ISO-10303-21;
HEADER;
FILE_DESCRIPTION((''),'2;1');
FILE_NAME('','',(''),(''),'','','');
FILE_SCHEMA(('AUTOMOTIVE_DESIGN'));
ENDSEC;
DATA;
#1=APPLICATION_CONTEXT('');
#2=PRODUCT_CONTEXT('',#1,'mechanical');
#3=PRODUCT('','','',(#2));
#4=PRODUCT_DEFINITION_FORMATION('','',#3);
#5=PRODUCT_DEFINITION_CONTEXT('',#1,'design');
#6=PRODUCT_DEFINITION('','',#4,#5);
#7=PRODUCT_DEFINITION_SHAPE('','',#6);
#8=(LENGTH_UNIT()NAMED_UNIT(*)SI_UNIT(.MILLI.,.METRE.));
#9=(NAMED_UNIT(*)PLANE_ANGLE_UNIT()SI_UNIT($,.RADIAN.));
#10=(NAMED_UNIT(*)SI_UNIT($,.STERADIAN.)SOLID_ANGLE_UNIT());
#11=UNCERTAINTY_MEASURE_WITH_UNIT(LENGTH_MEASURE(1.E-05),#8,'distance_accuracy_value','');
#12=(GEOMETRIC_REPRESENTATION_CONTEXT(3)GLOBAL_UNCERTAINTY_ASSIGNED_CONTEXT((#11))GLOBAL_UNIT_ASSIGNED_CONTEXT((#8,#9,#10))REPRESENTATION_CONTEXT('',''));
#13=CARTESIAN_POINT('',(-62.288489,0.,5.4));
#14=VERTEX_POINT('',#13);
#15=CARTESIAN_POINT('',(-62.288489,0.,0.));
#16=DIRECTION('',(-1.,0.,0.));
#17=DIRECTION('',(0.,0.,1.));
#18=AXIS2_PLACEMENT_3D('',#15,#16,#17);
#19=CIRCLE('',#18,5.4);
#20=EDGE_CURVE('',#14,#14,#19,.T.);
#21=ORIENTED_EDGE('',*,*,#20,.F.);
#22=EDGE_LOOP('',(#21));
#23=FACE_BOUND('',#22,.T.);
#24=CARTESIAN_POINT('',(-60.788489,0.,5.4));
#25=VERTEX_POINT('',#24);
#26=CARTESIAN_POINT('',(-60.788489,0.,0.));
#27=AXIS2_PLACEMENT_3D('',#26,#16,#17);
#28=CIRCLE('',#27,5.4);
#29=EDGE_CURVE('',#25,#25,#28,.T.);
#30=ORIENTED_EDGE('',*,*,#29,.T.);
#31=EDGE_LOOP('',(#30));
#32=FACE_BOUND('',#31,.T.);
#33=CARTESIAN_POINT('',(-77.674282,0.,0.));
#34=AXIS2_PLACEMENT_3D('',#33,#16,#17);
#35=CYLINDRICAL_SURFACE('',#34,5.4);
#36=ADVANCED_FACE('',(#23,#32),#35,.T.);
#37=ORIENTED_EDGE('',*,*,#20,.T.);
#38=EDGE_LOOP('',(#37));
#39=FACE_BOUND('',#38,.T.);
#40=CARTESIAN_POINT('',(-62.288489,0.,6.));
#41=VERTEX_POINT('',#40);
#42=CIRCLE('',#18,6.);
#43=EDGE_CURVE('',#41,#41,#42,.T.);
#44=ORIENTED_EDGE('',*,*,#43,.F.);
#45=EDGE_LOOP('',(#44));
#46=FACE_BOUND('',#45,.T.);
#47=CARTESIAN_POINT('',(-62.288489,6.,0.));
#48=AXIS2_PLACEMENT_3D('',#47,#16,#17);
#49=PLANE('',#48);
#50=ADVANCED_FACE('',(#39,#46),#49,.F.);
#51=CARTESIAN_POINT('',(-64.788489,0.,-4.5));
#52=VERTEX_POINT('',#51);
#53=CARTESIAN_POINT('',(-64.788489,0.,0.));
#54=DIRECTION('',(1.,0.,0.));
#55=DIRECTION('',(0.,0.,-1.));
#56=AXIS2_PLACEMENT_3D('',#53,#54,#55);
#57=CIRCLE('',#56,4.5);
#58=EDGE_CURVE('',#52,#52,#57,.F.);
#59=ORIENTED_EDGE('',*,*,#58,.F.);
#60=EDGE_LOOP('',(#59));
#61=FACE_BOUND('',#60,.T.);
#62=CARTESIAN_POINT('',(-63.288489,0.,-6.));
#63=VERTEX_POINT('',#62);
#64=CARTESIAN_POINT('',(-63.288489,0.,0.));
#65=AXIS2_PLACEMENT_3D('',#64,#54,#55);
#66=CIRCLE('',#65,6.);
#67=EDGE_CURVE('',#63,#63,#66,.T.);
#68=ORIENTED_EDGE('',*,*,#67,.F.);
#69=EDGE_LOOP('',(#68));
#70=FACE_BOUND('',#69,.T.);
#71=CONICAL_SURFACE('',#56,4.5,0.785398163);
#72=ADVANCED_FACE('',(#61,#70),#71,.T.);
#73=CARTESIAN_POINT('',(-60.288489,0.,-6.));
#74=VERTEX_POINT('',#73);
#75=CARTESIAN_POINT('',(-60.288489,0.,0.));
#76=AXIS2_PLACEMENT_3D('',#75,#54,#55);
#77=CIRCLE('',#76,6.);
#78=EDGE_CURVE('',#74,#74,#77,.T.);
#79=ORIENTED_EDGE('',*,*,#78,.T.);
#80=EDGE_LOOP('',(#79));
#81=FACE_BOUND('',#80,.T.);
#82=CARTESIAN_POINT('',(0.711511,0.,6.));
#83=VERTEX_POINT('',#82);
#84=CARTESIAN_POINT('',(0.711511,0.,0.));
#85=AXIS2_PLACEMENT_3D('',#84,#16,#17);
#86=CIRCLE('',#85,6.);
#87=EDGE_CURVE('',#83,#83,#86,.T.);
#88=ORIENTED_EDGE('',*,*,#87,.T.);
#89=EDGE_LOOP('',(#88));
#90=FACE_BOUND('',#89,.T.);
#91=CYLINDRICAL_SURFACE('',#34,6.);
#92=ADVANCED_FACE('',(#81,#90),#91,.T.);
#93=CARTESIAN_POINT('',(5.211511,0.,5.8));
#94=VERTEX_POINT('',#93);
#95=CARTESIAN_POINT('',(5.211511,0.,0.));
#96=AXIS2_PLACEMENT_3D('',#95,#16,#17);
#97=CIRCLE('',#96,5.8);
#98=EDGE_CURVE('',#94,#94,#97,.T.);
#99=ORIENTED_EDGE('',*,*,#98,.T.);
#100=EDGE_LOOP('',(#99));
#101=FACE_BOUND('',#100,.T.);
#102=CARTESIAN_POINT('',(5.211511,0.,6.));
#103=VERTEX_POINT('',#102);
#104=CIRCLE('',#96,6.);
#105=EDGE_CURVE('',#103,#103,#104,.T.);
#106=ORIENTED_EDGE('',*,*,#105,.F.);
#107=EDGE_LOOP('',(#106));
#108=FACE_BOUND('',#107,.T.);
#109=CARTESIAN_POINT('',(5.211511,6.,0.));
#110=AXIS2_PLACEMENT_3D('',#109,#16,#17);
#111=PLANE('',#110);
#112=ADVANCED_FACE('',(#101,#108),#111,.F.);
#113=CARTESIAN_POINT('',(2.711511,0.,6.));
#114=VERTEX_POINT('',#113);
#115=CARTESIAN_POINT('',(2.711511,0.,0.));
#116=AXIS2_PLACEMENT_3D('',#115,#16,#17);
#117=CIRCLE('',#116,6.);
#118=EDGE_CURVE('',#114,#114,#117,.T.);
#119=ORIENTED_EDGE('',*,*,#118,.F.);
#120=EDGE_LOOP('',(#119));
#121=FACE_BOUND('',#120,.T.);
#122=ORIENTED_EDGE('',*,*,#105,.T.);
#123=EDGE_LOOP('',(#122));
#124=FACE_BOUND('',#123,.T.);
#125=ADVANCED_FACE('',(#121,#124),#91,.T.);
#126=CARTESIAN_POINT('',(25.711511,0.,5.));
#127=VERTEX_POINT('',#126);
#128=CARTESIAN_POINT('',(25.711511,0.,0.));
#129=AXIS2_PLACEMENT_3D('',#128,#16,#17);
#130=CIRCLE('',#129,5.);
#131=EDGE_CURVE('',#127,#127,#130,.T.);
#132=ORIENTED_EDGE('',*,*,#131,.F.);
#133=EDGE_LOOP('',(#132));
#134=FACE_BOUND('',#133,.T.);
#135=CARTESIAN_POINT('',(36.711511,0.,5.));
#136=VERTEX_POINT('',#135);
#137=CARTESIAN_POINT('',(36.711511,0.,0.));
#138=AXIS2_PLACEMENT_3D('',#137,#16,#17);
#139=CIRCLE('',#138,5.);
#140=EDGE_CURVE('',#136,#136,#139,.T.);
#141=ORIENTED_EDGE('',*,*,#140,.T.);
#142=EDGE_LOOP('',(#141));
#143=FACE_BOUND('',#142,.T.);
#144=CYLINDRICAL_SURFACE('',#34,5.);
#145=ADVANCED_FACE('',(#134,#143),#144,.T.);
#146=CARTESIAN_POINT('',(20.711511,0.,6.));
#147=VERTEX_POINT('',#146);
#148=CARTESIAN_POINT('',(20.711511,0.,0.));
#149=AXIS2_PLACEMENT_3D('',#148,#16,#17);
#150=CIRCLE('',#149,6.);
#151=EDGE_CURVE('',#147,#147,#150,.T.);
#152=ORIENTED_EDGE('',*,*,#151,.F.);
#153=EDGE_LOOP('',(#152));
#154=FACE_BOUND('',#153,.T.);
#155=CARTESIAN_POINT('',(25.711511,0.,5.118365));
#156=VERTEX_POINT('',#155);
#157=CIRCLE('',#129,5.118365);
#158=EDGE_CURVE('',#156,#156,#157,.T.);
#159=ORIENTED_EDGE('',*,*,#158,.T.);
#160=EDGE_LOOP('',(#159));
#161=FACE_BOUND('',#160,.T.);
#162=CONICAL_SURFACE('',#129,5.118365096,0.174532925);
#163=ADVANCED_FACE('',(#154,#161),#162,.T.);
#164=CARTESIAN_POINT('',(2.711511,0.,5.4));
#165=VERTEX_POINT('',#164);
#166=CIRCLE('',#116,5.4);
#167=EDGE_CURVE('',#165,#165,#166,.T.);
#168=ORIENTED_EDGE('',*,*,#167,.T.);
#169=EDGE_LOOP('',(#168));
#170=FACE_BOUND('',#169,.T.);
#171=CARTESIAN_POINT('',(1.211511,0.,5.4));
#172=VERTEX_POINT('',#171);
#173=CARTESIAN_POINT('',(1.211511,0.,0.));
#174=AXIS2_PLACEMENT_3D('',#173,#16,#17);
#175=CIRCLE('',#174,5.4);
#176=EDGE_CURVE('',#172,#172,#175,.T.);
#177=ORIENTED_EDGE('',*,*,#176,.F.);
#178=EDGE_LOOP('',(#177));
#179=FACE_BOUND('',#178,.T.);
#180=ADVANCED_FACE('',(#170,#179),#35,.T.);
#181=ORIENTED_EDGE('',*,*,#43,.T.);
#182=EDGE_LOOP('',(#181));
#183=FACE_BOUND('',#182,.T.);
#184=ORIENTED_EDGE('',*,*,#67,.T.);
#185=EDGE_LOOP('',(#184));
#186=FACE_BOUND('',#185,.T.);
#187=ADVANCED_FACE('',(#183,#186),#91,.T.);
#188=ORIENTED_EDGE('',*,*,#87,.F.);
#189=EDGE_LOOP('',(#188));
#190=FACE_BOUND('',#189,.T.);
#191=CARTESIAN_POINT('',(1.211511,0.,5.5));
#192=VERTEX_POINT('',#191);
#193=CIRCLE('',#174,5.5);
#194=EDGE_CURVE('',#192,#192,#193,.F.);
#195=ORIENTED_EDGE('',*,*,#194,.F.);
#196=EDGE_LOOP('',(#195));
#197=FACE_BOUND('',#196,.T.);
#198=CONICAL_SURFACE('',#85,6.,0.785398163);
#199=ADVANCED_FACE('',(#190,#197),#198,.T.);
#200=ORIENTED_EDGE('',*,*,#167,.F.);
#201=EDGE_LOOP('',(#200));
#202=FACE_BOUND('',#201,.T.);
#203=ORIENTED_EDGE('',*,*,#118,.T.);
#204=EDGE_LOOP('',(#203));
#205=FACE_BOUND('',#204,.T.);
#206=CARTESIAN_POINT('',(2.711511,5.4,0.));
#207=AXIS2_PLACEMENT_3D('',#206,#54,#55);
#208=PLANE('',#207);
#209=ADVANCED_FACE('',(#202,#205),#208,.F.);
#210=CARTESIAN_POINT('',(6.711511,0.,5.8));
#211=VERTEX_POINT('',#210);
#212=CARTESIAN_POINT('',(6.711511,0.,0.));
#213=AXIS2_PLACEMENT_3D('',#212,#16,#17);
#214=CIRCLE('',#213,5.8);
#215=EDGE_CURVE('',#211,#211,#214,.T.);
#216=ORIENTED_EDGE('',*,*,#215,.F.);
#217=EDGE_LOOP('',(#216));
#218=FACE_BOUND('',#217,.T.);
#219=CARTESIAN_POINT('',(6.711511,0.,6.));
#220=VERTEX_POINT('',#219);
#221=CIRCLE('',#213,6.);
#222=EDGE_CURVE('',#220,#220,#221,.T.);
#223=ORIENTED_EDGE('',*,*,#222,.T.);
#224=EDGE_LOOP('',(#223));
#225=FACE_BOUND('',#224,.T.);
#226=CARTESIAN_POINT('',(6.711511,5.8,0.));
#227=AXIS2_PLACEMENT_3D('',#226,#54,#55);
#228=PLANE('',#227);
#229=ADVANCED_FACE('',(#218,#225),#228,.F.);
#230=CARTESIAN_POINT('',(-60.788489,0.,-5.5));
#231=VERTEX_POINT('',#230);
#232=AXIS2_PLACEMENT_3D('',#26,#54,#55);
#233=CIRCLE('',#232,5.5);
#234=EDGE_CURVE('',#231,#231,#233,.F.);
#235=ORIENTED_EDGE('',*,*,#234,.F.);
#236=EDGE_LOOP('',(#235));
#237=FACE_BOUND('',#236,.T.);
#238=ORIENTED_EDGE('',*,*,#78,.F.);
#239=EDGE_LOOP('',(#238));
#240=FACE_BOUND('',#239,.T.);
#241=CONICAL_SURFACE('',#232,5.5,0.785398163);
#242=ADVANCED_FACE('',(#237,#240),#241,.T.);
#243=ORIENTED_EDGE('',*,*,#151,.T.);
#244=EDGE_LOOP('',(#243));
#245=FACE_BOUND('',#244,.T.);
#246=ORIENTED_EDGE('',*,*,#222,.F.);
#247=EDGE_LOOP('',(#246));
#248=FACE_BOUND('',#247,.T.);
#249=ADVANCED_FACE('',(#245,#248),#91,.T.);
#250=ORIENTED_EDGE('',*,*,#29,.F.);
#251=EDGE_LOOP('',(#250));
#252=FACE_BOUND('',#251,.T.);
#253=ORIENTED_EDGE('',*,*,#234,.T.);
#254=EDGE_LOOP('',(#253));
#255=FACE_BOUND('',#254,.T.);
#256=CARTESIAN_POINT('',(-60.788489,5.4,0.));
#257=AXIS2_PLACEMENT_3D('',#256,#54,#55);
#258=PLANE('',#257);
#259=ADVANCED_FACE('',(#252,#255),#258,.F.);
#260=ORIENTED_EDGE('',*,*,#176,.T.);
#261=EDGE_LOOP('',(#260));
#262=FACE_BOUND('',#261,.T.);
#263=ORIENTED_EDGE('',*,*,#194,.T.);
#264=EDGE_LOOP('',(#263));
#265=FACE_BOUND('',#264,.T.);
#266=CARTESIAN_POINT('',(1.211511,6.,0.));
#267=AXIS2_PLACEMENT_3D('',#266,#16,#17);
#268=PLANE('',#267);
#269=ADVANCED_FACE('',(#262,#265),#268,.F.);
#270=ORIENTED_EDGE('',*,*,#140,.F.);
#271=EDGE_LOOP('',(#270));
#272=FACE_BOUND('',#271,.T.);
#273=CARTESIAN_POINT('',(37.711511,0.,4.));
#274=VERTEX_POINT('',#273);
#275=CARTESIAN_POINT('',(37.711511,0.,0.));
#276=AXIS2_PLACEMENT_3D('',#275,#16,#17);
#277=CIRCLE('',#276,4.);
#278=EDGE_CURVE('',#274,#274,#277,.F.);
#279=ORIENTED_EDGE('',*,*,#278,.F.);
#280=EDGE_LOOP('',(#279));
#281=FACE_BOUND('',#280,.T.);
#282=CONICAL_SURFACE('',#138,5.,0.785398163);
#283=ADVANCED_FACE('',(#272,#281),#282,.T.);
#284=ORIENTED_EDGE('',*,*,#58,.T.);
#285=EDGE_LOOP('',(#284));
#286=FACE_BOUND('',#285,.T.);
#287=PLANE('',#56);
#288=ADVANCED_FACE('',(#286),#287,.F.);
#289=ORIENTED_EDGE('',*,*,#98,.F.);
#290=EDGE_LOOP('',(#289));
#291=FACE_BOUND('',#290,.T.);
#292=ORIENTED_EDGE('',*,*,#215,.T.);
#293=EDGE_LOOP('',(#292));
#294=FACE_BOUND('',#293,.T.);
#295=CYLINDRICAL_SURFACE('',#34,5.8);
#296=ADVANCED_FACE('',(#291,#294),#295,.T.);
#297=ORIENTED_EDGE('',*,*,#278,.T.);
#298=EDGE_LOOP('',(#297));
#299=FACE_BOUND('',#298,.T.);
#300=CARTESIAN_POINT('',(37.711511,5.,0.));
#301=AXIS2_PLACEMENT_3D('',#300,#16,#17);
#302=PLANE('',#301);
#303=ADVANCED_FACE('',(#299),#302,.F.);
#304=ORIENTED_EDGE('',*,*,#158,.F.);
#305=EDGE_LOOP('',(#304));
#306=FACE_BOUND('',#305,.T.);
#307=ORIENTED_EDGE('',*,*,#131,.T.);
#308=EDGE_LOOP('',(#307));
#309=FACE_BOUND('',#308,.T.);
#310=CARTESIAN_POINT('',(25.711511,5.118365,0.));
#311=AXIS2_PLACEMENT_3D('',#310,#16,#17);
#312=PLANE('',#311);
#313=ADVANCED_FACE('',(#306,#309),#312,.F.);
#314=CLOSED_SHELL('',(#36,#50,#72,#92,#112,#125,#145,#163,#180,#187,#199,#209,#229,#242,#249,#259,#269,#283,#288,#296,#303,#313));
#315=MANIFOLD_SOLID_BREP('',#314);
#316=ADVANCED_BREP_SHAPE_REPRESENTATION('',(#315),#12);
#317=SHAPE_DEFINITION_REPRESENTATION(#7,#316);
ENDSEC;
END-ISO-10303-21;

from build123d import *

# Parameters (mm, degrees)
CHANFREIN1_SIZE = 1
CHANFREIN2_SIZE = 1.5
CHANFREIN3_SIZE = 0.5


with BuildPart() as part:
    # Esquisse1 → Révolution1 (revolve)
    with BuildSketch(Plane.XY, mode=Mode.PRIVATE) as r_volution1_sk:
        Polygon((-64.788489135, 0), (-64.788489135, 6), (-62.288489135, 6), (-62.288489135, 5.4), (-60.788489135, 5.4), (-60.788489135, 6), (1.211510865, 6), (1.211510865, 5.4), (2.711510865, 5.4), (2.711510865, 6), (5.211510865, 6), (5.211510865, 5.8), (6.711510865, 5.8), (6.711510865, 6), (20.711510865, 6), (25.711510865, 5.118365096), (25.711510865, 5), (37.711510865, 5), (37.711510865, 0), align=None)
    revolve(r_volution1_sk.sketch.rotate(Axis((-77.674282493, 0, 0), (1, 0, 0)), 90), axis=Axis((-77.674282493, 0, 0), (1, 0, 0)))

    # Chanfrein1
    chanfrein1_edges = [part.edges().sort_by_distance(p)[0] for p in [
        (37.711510865, 0, -5),
    ]]
    chamfer(chanfrein1_edges, length=CHANFREIN1_SIZE)

    # Chanfrein2
    chanfrein2_edges = [part.edges().sort_by_distance(p)[0] for p in [
        (-64.788489135, 0, -6),
    ]]
    chamfer(chanfrein2_edges, length=CHANFREIN2_SIZE)

    # Chanfrein3
    chanfrein3_edges = [part.edges().sort_by_distance(p)[0] for p in [
        (1.211510865, 0, -6),
        (-60.788489135, 0, -6),
    ]]
    chamfer(chanfrein3_edges, length=CHANFREIN3_SIZE)


solid = part.part
